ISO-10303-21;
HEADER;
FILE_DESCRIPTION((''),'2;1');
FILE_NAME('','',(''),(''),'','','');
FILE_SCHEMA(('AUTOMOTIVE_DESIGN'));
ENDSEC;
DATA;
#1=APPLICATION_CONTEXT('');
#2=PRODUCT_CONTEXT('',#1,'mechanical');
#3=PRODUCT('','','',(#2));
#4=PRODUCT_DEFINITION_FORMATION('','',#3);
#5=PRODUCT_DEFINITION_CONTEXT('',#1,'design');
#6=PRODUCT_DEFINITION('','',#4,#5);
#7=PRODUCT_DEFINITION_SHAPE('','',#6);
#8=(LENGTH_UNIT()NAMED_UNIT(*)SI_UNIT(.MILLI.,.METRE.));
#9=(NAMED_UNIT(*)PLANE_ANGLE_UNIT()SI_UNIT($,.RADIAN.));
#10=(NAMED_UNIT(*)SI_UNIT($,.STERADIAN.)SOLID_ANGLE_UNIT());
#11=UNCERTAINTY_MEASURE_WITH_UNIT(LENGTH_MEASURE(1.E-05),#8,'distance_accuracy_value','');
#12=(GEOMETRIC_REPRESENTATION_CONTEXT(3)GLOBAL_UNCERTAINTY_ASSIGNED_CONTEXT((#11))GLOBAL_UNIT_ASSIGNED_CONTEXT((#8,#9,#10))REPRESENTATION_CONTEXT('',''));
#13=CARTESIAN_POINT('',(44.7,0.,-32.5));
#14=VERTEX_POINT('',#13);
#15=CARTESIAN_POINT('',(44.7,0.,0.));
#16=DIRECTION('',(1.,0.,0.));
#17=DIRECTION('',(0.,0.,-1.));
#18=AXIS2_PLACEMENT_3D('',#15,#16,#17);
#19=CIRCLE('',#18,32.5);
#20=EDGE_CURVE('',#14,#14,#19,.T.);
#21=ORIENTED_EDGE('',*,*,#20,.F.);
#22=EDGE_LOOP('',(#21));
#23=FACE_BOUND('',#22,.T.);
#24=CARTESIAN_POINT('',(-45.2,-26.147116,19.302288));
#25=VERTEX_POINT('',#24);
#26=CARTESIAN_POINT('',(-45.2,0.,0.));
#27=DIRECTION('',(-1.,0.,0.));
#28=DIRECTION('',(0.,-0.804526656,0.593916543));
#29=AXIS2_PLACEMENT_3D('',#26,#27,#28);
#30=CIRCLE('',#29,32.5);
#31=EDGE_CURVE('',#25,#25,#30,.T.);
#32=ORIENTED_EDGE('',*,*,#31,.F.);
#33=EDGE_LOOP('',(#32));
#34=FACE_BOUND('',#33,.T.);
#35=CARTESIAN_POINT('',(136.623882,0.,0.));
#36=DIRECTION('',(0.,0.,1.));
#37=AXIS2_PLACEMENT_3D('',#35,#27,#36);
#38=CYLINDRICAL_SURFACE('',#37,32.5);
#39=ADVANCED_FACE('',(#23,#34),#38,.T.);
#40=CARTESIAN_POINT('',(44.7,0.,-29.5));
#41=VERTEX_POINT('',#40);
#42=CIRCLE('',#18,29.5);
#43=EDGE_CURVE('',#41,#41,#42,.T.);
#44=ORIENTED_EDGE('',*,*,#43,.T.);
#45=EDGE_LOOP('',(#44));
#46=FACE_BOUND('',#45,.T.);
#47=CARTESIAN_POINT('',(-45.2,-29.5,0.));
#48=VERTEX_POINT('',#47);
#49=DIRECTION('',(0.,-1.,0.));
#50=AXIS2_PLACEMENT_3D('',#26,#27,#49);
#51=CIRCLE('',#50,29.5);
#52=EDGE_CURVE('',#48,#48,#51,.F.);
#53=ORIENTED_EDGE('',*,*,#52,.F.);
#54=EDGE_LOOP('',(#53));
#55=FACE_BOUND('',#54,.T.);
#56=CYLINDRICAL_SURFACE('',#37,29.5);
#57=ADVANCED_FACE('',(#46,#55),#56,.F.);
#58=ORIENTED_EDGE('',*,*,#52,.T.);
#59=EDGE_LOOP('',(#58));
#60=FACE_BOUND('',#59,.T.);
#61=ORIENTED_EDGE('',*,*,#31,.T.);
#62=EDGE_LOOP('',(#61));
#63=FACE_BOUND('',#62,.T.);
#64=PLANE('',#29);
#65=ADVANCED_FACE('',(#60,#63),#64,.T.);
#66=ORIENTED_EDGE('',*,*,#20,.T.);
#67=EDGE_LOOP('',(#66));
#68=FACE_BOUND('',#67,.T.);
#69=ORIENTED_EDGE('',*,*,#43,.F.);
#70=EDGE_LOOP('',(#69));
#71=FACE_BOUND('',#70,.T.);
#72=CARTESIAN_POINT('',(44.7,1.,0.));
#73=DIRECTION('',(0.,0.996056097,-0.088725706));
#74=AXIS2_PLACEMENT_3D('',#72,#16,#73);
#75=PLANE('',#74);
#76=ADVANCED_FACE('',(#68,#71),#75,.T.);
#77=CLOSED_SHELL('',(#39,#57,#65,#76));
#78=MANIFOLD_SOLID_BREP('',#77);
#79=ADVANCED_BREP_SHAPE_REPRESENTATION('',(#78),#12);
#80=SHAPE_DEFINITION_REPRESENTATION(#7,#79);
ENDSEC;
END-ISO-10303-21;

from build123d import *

# Parameters (mm, degrees)
EXTRUDE_THIN1_DEPTH      = 44.7
EXTRUDE_THIN1_DEPTH_BACK = 45.2
SKETCH1_R                = 32.5
SKETCH1_R_2              = 29.5


with BuildPart() as part:
    # Sketch1 → Extrude-Thin1 (new, two sides: drawn at the far end of the back side and taken through both)
    with BuildSketch(Plane(origin=(0, 0, 0), x_dir=(0, 0, -1), z_dir=(1, 0, 0)).offset(-EXTRUDE_THIN1_DEPTH_BACK)):
        Circle(SKETCH1_R)
        Circle(SKETCH1_R_2, mode=Mode.SUBTRACT)
    extrude(amount=EXTRUDE_THIN1_DEPTH + EXTRUDE_THIN1_DEPTH_BACK)


solid = part.part
